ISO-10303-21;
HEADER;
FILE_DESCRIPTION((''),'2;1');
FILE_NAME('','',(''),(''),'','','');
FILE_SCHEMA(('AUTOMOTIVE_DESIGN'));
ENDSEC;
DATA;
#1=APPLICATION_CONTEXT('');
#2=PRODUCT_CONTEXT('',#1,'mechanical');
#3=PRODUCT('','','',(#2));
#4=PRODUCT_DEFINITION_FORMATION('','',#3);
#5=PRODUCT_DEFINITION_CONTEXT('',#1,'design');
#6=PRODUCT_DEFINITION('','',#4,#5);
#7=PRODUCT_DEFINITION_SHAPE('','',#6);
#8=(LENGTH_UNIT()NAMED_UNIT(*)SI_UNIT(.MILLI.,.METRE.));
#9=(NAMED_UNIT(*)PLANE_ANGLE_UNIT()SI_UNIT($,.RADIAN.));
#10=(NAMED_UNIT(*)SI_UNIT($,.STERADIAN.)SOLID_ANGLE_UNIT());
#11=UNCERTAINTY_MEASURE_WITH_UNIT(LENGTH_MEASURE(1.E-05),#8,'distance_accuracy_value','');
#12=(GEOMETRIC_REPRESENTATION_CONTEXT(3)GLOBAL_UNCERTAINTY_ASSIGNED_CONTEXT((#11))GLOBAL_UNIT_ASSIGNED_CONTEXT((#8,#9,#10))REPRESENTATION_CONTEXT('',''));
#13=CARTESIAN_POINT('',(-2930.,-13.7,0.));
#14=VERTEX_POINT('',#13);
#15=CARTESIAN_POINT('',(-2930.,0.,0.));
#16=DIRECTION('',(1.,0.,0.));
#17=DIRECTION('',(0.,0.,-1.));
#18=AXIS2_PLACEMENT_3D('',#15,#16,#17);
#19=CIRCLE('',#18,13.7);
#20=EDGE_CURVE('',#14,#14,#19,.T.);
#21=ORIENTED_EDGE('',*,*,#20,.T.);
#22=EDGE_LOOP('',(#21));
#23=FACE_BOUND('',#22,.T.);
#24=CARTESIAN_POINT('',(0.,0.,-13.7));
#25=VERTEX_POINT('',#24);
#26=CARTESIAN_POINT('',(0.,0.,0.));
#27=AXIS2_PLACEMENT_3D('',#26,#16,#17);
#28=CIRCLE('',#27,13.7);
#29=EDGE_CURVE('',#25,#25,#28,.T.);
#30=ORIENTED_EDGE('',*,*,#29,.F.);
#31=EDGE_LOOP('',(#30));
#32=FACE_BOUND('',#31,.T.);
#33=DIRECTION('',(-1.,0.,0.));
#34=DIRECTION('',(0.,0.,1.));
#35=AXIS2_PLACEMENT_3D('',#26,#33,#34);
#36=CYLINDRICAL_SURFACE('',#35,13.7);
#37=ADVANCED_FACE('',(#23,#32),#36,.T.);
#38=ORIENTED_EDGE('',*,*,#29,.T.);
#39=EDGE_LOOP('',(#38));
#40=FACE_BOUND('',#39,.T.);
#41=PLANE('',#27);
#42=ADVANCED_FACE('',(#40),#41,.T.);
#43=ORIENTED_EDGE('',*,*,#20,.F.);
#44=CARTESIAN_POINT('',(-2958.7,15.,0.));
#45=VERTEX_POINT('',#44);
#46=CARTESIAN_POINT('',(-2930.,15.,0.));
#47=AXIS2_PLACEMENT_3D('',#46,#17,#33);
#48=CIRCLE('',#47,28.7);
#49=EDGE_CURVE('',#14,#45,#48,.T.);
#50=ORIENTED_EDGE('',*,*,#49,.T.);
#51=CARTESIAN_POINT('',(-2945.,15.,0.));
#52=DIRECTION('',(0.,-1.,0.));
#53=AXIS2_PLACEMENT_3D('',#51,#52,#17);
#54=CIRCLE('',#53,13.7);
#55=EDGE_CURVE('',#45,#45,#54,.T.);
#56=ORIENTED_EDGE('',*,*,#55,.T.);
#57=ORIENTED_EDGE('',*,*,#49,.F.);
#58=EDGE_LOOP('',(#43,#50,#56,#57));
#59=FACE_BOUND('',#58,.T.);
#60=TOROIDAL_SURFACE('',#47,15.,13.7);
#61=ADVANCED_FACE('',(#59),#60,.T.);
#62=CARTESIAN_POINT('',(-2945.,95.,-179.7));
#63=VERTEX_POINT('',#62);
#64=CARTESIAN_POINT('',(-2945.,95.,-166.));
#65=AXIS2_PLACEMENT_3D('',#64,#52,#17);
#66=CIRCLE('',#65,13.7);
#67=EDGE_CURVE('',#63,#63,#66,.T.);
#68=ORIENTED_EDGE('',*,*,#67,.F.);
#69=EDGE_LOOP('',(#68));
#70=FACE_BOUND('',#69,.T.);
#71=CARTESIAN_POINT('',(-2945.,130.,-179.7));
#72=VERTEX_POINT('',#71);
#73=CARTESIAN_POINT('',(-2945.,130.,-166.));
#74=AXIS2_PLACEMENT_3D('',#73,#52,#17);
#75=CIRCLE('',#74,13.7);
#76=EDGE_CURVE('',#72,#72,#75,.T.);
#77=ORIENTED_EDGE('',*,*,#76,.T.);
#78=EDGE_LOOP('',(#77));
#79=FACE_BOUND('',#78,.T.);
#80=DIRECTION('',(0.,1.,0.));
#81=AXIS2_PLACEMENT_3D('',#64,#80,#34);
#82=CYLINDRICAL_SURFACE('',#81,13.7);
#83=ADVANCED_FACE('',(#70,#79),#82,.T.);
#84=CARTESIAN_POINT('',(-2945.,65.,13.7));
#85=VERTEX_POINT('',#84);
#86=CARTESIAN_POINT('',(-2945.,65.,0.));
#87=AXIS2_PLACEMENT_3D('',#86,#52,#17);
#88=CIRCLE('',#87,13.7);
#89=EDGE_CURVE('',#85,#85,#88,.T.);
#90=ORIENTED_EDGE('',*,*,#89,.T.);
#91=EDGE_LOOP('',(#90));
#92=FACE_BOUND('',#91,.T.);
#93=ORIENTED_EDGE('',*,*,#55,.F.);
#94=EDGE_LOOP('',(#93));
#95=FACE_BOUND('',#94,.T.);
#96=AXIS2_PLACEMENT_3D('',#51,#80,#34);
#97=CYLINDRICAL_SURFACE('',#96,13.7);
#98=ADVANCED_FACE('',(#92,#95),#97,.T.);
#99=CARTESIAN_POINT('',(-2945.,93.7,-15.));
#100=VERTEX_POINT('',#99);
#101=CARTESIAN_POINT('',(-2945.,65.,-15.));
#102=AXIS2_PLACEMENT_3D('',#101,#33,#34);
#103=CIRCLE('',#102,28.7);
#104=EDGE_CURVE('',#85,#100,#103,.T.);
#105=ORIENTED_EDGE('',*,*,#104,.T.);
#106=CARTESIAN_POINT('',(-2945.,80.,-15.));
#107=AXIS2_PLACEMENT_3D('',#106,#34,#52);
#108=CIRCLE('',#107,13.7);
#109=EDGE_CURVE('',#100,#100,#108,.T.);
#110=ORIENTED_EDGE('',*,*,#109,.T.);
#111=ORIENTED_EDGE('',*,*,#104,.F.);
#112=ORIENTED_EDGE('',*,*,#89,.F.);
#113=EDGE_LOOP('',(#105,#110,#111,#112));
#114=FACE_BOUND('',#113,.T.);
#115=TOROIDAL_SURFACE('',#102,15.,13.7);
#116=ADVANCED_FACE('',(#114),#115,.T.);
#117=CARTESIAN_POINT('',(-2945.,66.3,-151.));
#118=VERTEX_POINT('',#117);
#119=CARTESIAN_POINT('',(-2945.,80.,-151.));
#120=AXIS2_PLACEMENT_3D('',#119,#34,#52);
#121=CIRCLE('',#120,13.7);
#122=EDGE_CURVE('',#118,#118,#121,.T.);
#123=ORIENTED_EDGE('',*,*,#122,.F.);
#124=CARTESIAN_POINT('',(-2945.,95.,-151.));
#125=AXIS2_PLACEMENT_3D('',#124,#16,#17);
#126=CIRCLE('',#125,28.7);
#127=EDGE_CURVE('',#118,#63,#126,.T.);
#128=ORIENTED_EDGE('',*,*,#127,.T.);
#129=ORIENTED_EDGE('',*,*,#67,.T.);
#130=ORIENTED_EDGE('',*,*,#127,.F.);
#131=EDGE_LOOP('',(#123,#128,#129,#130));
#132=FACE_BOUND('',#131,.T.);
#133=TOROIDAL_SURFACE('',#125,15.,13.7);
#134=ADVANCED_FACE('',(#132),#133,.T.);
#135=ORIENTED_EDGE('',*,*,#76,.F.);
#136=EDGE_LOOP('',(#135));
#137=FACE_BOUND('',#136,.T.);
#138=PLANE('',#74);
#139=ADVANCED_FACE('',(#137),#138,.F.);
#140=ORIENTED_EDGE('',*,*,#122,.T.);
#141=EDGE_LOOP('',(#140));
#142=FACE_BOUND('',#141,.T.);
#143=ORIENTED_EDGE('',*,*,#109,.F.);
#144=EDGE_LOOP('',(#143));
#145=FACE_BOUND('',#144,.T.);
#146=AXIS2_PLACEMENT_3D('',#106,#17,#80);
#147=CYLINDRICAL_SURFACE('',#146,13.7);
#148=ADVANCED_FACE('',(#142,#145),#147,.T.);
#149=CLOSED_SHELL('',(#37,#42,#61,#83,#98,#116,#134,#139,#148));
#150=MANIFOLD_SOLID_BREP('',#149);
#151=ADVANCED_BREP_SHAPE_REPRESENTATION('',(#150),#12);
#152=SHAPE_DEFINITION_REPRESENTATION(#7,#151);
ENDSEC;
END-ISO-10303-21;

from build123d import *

# Parameters (mm, degrees)
CROQUIS1_R = 13.7


with BuildPart() as part:
    # Barrer1: sweep along a curve in space
    with BuildLine() as barrer1_path:
        Line((0, 0, 0), (-2930, 0, 0))
        ThreePointArc((-2930, 0, 0), (-2940.606601718, 4.393398282, 0), (-2945, 15, 0))
        Line((-2945, 15, 0), (-2945, 65, 0))
        ThreePointArc((-2945, 65, 0), (-2945, 75.606601718, -4.393398282), (-2945, 80, -15))
        Line((-2945, 80, -15), (-2945, 80, -151))
        ThreePointArc((-2945, 80, -151), (-2945, 84.393398282, -161.606601718), (-2945, 95, -166))
        Line((-2945, 95, -166), (-2945, 130, -166))
    # Croquis1 → Barrer1 (sweep)
    with BuildSketch(Plane(origin=(0, 0, 0), x_dir=(0, 0, -1), z_dir=(1, 0, 0))):
        Circle(CROQUIS1_R)
    sweep(path=barrer1_path.line)


solid = part.part
